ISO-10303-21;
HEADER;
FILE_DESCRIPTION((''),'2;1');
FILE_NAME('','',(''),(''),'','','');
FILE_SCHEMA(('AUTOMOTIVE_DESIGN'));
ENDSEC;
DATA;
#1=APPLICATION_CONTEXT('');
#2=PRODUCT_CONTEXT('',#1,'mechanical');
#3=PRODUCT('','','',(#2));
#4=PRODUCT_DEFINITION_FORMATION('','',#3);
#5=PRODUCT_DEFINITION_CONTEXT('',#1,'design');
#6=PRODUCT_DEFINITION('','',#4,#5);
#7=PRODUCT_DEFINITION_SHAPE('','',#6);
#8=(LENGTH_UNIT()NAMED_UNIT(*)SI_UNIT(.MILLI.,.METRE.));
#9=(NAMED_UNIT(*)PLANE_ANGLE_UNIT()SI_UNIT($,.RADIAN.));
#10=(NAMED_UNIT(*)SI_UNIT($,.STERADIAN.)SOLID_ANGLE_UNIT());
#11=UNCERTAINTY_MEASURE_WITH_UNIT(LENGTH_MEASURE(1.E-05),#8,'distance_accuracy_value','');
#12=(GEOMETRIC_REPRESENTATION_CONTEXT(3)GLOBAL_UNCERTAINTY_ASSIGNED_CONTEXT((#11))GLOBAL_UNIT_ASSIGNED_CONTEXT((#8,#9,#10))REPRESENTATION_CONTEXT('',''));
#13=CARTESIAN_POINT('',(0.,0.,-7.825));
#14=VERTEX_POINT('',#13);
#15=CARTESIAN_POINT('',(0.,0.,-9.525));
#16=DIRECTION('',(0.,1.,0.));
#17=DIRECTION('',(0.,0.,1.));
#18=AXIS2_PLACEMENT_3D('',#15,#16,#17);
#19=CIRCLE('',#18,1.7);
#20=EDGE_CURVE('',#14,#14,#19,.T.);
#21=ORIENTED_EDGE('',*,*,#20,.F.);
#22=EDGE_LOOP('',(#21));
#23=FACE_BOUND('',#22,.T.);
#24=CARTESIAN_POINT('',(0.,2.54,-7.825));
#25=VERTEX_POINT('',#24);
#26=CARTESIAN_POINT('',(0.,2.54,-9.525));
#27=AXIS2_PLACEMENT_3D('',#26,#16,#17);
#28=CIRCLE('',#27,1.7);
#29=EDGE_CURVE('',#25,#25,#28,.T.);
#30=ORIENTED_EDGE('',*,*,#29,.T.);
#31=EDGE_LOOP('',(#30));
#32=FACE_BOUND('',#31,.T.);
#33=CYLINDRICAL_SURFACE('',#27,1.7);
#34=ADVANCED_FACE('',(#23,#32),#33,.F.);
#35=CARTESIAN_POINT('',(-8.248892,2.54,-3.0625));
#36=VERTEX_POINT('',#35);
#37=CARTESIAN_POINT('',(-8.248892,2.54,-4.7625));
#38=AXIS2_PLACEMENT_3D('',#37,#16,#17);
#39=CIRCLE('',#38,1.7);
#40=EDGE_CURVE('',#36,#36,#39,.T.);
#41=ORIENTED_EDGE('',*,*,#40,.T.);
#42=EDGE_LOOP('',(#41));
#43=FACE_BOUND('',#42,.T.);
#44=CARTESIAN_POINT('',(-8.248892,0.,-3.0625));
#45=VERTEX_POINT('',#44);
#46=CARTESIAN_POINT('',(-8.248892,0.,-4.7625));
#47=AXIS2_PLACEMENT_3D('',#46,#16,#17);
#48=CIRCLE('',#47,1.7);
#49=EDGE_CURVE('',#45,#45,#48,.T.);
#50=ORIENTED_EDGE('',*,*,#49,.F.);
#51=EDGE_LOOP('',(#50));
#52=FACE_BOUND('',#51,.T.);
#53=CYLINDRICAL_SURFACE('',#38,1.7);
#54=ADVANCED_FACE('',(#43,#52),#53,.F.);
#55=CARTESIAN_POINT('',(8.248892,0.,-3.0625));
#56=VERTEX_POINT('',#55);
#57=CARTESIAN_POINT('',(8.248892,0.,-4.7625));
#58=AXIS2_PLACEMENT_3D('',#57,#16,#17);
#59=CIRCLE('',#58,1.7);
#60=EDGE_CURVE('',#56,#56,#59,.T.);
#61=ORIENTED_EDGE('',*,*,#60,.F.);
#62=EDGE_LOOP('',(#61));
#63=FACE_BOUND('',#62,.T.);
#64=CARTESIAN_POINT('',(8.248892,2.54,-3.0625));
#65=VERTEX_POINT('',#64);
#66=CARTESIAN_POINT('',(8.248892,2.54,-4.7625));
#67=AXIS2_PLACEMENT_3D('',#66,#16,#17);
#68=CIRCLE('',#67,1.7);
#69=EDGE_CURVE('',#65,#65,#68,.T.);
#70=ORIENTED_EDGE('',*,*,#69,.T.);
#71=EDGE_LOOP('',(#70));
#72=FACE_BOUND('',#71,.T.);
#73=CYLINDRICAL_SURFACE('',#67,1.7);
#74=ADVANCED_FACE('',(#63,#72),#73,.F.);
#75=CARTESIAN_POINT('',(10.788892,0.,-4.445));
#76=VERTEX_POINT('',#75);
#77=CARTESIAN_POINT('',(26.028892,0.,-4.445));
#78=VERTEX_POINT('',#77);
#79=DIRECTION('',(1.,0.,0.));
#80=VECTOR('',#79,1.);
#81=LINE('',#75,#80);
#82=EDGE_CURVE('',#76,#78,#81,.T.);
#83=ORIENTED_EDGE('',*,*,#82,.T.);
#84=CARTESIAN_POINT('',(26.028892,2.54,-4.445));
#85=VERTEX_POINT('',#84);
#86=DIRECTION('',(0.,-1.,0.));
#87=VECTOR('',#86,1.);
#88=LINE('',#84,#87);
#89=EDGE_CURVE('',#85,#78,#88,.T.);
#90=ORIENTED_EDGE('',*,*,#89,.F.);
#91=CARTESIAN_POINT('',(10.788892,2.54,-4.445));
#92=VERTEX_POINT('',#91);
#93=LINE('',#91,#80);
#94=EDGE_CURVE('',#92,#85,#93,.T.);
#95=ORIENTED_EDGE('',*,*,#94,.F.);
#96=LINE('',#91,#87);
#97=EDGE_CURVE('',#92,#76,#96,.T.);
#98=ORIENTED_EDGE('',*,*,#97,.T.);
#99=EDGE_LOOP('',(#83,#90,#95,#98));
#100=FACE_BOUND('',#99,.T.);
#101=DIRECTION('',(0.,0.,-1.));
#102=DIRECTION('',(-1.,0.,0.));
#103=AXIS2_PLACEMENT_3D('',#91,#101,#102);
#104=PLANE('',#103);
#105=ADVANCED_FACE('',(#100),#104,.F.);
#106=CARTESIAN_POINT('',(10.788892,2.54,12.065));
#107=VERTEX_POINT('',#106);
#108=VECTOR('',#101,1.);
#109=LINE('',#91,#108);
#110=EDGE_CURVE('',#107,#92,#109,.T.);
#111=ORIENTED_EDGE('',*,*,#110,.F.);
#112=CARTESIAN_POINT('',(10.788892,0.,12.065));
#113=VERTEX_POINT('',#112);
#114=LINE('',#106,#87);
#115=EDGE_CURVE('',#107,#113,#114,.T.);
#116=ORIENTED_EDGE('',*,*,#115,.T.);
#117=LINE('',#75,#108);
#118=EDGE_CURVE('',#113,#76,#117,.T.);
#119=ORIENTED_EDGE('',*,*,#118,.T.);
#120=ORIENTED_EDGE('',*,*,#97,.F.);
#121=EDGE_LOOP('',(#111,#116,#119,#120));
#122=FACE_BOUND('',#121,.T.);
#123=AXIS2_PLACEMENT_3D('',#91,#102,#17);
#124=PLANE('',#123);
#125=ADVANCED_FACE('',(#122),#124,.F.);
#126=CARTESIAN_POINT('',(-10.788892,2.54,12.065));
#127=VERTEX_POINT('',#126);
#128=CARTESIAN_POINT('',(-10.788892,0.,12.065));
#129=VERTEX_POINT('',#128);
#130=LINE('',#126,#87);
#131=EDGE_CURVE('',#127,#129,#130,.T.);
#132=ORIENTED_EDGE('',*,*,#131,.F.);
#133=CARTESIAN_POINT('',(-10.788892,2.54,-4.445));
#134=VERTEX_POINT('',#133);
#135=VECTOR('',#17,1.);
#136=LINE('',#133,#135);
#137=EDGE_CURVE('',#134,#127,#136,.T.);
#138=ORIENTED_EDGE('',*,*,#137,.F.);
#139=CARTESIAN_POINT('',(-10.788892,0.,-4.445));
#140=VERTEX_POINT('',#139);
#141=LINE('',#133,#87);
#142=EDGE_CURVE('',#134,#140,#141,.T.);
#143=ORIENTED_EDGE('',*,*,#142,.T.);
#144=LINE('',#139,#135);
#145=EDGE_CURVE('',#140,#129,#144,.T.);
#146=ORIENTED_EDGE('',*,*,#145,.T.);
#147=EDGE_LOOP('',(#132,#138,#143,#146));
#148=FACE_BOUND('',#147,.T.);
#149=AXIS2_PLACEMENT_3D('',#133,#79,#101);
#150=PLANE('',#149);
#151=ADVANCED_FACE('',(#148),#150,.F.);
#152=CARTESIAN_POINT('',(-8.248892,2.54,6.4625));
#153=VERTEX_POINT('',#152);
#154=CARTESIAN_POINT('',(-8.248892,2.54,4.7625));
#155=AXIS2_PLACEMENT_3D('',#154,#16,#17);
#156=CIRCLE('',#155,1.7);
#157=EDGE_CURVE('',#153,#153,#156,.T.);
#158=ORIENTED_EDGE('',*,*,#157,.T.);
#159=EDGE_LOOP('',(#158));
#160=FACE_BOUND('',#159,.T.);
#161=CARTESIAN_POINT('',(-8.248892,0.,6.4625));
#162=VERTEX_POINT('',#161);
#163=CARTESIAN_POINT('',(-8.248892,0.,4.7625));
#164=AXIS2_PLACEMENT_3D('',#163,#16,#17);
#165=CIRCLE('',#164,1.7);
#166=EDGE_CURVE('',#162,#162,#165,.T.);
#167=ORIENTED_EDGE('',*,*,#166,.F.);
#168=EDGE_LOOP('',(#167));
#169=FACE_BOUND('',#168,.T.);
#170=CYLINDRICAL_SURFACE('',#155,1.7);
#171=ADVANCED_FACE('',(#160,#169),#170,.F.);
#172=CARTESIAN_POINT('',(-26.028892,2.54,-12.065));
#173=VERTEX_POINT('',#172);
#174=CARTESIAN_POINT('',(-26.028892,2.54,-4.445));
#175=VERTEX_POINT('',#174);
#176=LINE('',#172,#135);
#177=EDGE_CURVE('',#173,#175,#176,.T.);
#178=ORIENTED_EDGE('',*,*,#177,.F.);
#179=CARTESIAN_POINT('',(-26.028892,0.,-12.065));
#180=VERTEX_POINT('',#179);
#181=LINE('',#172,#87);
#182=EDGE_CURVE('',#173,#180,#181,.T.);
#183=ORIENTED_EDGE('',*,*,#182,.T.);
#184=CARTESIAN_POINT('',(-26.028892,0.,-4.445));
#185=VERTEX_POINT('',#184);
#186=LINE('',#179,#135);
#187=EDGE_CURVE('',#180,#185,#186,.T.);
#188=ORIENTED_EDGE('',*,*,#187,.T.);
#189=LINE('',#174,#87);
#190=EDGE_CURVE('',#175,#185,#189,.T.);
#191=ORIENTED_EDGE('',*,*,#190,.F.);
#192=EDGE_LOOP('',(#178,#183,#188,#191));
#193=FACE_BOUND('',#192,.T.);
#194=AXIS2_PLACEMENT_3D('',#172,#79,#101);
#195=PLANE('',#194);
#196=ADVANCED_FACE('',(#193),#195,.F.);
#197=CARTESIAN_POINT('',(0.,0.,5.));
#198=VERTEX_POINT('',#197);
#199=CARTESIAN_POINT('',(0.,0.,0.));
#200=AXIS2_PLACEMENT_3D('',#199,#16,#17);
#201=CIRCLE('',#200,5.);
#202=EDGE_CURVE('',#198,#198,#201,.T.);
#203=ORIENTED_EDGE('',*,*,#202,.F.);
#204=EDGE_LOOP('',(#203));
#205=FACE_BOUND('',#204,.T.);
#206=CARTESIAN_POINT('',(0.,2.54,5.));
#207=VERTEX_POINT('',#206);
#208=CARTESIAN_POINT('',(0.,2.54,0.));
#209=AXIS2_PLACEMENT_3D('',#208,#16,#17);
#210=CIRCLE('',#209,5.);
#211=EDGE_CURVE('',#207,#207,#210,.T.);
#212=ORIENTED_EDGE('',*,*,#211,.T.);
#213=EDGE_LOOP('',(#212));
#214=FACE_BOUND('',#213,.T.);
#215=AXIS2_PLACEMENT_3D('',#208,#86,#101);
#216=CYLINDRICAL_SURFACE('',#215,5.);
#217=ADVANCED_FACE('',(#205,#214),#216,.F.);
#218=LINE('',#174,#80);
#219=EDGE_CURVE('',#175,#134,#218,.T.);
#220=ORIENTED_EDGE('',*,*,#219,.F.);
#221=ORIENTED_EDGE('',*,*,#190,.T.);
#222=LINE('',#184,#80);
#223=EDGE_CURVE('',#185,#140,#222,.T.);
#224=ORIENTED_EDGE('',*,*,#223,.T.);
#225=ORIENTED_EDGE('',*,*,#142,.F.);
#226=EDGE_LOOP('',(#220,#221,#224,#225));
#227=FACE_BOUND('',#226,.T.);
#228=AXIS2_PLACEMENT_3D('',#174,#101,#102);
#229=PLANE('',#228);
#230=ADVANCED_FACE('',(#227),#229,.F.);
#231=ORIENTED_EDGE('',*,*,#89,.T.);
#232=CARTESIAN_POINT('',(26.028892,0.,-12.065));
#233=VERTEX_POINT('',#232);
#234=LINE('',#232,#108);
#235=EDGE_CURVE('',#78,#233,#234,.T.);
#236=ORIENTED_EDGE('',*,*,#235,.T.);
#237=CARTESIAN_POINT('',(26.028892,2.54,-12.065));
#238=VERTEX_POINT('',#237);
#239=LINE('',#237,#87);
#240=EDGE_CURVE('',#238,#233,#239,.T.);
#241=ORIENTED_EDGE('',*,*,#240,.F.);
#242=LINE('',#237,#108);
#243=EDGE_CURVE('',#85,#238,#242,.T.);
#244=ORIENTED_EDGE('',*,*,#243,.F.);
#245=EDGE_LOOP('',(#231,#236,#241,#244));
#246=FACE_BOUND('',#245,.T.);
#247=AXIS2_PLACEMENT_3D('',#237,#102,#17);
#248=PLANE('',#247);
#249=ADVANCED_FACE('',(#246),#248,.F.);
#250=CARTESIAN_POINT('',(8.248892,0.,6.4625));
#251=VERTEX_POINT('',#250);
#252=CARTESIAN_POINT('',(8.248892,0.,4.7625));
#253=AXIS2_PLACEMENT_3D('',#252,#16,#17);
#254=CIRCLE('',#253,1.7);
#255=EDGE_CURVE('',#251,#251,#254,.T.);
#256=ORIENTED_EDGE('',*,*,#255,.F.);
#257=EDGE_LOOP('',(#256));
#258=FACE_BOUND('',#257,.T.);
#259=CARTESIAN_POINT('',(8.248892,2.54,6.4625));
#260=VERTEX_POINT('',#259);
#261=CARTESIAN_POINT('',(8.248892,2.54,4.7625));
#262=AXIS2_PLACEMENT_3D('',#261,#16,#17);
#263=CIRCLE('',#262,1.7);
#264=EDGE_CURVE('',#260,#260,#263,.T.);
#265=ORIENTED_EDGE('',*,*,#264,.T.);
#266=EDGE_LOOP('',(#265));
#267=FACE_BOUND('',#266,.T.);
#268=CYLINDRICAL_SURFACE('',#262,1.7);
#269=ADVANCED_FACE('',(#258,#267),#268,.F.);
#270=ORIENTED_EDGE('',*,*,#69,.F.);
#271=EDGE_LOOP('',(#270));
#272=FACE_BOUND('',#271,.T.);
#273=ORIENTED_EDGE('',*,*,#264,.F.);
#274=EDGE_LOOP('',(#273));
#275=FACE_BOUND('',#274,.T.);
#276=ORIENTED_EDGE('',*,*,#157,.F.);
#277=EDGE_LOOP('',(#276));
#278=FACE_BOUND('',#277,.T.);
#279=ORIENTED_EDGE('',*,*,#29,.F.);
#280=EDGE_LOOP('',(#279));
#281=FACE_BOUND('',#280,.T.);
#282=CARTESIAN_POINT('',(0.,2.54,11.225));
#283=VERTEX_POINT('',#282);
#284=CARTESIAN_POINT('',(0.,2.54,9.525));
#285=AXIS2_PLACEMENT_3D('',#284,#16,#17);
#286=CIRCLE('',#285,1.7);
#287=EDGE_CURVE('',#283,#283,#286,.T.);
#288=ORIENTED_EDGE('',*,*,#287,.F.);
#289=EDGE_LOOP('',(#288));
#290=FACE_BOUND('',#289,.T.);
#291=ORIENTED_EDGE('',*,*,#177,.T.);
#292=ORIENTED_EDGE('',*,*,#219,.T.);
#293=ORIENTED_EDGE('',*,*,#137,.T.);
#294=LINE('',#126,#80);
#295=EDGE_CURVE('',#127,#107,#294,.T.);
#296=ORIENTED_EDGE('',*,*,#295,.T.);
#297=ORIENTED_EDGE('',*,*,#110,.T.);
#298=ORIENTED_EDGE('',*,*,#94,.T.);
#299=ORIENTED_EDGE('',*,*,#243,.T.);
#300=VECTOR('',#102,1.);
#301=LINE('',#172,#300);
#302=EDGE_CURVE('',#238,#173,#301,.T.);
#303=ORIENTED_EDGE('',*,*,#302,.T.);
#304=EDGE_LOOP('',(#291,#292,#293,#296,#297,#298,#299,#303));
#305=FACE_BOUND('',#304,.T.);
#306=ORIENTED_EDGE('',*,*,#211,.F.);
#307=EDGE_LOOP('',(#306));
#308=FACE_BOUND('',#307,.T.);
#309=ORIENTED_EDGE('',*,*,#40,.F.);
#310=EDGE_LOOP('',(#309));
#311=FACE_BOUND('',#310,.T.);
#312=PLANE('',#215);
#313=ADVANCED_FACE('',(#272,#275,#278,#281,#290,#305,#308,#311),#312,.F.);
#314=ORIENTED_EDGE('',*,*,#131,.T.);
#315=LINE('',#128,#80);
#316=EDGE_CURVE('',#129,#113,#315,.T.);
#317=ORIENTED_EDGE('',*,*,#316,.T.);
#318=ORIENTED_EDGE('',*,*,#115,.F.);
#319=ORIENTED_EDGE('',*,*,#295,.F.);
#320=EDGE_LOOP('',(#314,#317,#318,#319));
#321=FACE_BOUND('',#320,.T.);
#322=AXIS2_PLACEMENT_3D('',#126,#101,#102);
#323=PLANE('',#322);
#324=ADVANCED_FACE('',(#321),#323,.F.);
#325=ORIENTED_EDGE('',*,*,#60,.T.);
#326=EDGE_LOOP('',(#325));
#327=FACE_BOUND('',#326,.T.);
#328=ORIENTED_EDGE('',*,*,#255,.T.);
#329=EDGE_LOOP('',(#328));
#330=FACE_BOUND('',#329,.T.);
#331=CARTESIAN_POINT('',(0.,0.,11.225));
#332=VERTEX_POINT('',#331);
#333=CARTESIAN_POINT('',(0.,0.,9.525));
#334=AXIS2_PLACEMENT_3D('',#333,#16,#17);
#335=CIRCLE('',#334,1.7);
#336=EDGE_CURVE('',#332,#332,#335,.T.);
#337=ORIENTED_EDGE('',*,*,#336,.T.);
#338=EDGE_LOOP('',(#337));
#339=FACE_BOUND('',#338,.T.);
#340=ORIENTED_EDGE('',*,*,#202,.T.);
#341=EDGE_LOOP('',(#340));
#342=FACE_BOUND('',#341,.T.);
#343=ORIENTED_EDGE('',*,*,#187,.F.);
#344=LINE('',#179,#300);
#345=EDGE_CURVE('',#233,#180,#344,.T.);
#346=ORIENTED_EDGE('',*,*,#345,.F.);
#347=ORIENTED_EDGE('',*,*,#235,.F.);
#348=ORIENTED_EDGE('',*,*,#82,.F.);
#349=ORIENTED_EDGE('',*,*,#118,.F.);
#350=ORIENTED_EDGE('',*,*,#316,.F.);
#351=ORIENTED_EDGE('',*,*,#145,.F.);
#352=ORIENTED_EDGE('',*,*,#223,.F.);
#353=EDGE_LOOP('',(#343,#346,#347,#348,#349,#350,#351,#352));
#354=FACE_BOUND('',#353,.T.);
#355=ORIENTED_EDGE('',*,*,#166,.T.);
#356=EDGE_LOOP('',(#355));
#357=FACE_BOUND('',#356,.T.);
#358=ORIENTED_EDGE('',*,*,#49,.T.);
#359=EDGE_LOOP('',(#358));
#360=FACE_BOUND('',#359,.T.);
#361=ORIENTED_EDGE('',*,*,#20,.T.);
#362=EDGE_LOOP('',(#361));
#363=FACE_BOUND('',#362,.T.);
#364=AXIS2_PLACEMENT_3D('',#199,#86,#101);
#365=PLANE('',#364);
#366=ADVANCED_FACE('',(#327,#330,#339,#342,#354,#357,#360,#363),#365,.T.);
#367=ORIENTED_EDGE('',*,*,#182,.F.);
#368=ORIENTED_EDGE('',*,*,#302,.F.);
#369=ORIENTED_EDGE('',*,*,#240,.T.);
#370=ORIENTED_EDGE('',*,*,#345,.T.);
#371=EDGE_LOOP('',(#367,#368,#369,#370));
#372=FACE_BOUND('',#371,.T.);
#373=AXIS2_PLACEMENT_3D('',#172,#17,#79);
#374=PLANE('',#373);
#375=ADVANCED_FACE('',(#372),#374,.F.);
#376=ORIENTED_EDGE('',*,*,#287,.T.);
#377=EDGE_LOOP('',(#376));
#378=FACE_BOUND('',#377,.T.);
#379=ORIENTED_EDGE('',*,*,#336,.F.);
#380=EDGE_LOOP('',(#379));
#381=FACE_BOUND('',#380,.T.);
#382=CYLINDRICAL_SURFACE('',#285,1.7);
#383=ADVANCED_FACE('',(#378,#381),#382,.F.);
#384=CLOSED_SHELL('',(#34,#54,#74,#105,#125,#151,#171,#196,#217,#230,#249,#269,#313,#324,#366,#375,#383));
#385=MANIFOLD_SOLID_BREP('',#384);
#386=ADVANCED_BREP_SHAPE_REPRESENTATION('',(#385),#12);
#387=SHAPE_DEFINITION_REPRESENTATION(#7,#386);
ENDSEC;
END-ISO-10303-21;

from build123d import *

# Parameters (mm, degrees)
SKETCH1_R            = 5
BOSS_EXTRUDE1_DEPTH  = 2.54
M3_CLEARANCE_HOLE1_D = 3.4


with BuildPart() as part:
    # Sketch1 → Boss-Extrude1 (new body)
    with BuildSketch(Plane(origin=(0, 0, 0), x_dir=(1, 0, 0), z_dir=(0, 1, 0))):
        Polygon((10.788891971, 4.445), (26.028891971, 4.445), (26.028891971, 12.065), (-26.028891971, 12.065), (-26.028891971, 4.445), (-10.788891971, 4.445), (-10.788891971, -12.065), (10.788891971, -12.065), align=None)
        with Locations(Location((0, 0, 0), (0, 0, 270))):
            Circle(SKETCH1_R, mode=Mode.SUBTRACT)
    extrude(amount=BOSS_EXTRUDE1_DEPTH)

    # M3 Clearance Hole1 (through all)
    with Locations(Plane(origin=(0, 2.54, 0), x_dir=(1, 0, 0), z_dir=(0, 1, 0))):
        with Locations((0, 9.525), (8.248891971, 4.7625), (8.248891971, -4.7625), (0, -9.525), (-8.248891971, -4.7625), (-8.248891971, 4.7625)):
            Hole(M3_CLEARANCE_HOLE1_D / 2)


solid = part.part
